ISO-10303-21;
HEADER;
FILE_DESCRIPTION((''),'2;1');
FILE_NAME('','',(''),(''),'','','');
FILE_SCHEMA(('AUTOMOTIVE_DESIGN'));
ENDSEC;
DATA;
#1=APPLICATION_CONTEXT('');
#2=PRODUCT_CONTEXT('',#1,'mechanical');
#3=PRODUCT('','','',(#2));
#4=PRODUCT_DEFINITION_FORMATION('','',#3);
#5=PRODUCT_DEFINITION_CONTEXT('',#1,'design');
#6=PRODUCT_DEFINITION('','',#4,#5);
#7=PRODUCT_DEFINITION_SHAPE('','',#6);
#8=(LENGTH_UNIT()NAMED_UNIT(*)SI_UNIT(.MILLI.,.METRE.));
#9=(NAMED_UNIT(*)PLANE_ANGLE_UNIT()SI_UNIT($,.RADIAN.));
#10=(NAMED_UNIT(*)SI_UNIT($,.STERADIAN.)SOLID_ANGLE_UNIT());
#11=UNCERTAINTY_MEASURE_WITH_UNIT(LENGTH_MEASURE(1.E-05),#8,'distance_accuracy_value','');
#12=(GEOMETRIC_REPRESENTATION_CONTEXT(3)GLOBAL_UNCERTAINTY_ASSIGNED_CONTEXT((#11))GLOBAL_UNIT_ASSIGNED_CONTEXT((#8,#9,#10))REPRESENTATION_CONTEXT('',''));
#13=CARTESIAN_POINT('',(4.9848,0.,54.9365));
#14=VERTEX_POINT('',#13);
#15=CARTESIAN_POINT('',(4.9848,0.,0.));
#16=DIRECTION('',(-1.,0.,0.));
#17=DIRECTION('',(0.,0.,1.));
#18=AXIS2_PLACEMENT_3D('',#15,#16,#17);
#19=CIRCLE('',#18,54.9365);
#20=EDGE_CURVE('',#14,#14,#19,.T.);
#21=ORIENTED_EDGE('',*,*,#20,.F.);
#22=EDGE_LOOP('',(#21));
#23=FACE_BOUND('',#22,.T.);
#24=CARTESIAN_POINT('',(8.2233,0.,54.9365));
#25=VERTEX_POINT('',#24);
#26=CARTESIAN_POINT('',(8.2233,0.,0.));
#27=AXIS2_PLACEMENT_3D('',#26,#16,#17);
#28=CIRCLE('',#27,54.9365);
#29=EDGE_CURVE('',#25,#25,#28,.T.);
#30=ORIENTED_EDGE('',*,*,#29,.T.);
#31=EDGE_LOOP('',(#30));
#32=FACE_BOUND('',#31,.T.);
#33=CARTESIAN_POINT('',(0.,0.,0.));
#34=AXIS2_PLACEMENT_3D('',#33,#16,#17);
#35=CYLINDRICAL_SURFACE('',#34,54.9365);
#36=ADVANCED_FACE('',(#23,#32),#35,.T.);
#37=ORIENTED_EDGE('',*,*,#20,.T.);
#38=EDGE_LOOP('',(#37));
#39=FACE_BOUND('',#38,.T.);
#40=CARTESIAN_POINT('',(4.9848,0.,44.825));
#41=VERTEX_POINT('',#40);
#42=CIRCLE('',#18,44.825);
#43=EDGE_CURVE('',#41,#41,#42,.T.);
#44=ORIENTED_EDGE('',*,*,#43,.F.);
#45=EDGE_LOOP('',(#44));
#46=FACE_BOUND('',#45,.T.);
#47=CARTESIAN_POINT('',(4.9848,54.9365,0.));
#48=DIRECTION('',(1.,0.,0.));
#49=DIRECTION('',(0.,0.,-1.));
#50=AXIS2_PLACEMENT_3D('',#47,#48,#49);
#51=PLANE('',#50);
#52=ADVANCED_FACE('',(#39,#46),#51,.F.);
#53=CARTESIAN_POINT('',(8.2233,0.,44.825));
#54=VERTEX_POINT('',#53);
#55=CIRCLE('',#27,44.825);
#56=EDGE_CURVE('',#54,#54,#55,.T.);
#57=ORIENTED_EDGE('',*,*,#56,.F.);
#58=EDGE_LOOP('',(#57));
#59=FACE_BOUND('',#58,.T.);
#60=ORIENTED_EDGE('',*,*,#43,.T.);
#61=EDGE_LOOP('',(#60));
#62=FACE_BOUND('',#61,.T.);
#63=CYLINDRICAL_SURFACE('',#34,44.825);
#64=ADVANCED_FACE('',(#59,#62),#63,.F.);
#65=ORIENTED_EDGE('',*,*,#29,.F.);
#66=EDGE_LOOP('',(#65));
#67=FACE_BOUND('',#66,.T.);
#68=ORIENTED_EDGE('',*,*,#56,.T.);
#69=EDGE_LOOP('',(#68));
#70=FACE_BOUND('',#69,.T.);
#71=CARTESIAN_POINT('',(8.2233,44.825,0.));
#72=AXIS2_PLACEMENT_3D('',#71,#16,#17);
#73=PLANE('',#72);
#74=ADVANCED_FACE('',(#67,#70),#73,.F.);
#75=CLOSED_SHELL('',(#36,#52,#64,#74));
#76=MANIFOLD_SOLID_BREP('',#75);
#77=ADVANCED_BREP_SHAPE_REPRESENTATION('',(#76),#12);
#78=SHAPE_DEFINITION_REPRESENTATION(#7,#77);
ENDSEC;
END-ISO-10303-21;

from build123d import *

# Parameters (mm, degrees)
SKETCH3_W = 3.2385
SKETCH3_H = 10.111500097


with BuildPart() as part:
    # Sketch3 → Revolve1 (revolve)
    with BuildSketch(Plane.XY):
        with Locations((6.604050038, 49.880749933)):
            Rectangle(SKETCH3_W, SKETCH3_H)
    revolve(axis=Axis((0, 0, 0), (1, 0, 0)))


solid = part.part
